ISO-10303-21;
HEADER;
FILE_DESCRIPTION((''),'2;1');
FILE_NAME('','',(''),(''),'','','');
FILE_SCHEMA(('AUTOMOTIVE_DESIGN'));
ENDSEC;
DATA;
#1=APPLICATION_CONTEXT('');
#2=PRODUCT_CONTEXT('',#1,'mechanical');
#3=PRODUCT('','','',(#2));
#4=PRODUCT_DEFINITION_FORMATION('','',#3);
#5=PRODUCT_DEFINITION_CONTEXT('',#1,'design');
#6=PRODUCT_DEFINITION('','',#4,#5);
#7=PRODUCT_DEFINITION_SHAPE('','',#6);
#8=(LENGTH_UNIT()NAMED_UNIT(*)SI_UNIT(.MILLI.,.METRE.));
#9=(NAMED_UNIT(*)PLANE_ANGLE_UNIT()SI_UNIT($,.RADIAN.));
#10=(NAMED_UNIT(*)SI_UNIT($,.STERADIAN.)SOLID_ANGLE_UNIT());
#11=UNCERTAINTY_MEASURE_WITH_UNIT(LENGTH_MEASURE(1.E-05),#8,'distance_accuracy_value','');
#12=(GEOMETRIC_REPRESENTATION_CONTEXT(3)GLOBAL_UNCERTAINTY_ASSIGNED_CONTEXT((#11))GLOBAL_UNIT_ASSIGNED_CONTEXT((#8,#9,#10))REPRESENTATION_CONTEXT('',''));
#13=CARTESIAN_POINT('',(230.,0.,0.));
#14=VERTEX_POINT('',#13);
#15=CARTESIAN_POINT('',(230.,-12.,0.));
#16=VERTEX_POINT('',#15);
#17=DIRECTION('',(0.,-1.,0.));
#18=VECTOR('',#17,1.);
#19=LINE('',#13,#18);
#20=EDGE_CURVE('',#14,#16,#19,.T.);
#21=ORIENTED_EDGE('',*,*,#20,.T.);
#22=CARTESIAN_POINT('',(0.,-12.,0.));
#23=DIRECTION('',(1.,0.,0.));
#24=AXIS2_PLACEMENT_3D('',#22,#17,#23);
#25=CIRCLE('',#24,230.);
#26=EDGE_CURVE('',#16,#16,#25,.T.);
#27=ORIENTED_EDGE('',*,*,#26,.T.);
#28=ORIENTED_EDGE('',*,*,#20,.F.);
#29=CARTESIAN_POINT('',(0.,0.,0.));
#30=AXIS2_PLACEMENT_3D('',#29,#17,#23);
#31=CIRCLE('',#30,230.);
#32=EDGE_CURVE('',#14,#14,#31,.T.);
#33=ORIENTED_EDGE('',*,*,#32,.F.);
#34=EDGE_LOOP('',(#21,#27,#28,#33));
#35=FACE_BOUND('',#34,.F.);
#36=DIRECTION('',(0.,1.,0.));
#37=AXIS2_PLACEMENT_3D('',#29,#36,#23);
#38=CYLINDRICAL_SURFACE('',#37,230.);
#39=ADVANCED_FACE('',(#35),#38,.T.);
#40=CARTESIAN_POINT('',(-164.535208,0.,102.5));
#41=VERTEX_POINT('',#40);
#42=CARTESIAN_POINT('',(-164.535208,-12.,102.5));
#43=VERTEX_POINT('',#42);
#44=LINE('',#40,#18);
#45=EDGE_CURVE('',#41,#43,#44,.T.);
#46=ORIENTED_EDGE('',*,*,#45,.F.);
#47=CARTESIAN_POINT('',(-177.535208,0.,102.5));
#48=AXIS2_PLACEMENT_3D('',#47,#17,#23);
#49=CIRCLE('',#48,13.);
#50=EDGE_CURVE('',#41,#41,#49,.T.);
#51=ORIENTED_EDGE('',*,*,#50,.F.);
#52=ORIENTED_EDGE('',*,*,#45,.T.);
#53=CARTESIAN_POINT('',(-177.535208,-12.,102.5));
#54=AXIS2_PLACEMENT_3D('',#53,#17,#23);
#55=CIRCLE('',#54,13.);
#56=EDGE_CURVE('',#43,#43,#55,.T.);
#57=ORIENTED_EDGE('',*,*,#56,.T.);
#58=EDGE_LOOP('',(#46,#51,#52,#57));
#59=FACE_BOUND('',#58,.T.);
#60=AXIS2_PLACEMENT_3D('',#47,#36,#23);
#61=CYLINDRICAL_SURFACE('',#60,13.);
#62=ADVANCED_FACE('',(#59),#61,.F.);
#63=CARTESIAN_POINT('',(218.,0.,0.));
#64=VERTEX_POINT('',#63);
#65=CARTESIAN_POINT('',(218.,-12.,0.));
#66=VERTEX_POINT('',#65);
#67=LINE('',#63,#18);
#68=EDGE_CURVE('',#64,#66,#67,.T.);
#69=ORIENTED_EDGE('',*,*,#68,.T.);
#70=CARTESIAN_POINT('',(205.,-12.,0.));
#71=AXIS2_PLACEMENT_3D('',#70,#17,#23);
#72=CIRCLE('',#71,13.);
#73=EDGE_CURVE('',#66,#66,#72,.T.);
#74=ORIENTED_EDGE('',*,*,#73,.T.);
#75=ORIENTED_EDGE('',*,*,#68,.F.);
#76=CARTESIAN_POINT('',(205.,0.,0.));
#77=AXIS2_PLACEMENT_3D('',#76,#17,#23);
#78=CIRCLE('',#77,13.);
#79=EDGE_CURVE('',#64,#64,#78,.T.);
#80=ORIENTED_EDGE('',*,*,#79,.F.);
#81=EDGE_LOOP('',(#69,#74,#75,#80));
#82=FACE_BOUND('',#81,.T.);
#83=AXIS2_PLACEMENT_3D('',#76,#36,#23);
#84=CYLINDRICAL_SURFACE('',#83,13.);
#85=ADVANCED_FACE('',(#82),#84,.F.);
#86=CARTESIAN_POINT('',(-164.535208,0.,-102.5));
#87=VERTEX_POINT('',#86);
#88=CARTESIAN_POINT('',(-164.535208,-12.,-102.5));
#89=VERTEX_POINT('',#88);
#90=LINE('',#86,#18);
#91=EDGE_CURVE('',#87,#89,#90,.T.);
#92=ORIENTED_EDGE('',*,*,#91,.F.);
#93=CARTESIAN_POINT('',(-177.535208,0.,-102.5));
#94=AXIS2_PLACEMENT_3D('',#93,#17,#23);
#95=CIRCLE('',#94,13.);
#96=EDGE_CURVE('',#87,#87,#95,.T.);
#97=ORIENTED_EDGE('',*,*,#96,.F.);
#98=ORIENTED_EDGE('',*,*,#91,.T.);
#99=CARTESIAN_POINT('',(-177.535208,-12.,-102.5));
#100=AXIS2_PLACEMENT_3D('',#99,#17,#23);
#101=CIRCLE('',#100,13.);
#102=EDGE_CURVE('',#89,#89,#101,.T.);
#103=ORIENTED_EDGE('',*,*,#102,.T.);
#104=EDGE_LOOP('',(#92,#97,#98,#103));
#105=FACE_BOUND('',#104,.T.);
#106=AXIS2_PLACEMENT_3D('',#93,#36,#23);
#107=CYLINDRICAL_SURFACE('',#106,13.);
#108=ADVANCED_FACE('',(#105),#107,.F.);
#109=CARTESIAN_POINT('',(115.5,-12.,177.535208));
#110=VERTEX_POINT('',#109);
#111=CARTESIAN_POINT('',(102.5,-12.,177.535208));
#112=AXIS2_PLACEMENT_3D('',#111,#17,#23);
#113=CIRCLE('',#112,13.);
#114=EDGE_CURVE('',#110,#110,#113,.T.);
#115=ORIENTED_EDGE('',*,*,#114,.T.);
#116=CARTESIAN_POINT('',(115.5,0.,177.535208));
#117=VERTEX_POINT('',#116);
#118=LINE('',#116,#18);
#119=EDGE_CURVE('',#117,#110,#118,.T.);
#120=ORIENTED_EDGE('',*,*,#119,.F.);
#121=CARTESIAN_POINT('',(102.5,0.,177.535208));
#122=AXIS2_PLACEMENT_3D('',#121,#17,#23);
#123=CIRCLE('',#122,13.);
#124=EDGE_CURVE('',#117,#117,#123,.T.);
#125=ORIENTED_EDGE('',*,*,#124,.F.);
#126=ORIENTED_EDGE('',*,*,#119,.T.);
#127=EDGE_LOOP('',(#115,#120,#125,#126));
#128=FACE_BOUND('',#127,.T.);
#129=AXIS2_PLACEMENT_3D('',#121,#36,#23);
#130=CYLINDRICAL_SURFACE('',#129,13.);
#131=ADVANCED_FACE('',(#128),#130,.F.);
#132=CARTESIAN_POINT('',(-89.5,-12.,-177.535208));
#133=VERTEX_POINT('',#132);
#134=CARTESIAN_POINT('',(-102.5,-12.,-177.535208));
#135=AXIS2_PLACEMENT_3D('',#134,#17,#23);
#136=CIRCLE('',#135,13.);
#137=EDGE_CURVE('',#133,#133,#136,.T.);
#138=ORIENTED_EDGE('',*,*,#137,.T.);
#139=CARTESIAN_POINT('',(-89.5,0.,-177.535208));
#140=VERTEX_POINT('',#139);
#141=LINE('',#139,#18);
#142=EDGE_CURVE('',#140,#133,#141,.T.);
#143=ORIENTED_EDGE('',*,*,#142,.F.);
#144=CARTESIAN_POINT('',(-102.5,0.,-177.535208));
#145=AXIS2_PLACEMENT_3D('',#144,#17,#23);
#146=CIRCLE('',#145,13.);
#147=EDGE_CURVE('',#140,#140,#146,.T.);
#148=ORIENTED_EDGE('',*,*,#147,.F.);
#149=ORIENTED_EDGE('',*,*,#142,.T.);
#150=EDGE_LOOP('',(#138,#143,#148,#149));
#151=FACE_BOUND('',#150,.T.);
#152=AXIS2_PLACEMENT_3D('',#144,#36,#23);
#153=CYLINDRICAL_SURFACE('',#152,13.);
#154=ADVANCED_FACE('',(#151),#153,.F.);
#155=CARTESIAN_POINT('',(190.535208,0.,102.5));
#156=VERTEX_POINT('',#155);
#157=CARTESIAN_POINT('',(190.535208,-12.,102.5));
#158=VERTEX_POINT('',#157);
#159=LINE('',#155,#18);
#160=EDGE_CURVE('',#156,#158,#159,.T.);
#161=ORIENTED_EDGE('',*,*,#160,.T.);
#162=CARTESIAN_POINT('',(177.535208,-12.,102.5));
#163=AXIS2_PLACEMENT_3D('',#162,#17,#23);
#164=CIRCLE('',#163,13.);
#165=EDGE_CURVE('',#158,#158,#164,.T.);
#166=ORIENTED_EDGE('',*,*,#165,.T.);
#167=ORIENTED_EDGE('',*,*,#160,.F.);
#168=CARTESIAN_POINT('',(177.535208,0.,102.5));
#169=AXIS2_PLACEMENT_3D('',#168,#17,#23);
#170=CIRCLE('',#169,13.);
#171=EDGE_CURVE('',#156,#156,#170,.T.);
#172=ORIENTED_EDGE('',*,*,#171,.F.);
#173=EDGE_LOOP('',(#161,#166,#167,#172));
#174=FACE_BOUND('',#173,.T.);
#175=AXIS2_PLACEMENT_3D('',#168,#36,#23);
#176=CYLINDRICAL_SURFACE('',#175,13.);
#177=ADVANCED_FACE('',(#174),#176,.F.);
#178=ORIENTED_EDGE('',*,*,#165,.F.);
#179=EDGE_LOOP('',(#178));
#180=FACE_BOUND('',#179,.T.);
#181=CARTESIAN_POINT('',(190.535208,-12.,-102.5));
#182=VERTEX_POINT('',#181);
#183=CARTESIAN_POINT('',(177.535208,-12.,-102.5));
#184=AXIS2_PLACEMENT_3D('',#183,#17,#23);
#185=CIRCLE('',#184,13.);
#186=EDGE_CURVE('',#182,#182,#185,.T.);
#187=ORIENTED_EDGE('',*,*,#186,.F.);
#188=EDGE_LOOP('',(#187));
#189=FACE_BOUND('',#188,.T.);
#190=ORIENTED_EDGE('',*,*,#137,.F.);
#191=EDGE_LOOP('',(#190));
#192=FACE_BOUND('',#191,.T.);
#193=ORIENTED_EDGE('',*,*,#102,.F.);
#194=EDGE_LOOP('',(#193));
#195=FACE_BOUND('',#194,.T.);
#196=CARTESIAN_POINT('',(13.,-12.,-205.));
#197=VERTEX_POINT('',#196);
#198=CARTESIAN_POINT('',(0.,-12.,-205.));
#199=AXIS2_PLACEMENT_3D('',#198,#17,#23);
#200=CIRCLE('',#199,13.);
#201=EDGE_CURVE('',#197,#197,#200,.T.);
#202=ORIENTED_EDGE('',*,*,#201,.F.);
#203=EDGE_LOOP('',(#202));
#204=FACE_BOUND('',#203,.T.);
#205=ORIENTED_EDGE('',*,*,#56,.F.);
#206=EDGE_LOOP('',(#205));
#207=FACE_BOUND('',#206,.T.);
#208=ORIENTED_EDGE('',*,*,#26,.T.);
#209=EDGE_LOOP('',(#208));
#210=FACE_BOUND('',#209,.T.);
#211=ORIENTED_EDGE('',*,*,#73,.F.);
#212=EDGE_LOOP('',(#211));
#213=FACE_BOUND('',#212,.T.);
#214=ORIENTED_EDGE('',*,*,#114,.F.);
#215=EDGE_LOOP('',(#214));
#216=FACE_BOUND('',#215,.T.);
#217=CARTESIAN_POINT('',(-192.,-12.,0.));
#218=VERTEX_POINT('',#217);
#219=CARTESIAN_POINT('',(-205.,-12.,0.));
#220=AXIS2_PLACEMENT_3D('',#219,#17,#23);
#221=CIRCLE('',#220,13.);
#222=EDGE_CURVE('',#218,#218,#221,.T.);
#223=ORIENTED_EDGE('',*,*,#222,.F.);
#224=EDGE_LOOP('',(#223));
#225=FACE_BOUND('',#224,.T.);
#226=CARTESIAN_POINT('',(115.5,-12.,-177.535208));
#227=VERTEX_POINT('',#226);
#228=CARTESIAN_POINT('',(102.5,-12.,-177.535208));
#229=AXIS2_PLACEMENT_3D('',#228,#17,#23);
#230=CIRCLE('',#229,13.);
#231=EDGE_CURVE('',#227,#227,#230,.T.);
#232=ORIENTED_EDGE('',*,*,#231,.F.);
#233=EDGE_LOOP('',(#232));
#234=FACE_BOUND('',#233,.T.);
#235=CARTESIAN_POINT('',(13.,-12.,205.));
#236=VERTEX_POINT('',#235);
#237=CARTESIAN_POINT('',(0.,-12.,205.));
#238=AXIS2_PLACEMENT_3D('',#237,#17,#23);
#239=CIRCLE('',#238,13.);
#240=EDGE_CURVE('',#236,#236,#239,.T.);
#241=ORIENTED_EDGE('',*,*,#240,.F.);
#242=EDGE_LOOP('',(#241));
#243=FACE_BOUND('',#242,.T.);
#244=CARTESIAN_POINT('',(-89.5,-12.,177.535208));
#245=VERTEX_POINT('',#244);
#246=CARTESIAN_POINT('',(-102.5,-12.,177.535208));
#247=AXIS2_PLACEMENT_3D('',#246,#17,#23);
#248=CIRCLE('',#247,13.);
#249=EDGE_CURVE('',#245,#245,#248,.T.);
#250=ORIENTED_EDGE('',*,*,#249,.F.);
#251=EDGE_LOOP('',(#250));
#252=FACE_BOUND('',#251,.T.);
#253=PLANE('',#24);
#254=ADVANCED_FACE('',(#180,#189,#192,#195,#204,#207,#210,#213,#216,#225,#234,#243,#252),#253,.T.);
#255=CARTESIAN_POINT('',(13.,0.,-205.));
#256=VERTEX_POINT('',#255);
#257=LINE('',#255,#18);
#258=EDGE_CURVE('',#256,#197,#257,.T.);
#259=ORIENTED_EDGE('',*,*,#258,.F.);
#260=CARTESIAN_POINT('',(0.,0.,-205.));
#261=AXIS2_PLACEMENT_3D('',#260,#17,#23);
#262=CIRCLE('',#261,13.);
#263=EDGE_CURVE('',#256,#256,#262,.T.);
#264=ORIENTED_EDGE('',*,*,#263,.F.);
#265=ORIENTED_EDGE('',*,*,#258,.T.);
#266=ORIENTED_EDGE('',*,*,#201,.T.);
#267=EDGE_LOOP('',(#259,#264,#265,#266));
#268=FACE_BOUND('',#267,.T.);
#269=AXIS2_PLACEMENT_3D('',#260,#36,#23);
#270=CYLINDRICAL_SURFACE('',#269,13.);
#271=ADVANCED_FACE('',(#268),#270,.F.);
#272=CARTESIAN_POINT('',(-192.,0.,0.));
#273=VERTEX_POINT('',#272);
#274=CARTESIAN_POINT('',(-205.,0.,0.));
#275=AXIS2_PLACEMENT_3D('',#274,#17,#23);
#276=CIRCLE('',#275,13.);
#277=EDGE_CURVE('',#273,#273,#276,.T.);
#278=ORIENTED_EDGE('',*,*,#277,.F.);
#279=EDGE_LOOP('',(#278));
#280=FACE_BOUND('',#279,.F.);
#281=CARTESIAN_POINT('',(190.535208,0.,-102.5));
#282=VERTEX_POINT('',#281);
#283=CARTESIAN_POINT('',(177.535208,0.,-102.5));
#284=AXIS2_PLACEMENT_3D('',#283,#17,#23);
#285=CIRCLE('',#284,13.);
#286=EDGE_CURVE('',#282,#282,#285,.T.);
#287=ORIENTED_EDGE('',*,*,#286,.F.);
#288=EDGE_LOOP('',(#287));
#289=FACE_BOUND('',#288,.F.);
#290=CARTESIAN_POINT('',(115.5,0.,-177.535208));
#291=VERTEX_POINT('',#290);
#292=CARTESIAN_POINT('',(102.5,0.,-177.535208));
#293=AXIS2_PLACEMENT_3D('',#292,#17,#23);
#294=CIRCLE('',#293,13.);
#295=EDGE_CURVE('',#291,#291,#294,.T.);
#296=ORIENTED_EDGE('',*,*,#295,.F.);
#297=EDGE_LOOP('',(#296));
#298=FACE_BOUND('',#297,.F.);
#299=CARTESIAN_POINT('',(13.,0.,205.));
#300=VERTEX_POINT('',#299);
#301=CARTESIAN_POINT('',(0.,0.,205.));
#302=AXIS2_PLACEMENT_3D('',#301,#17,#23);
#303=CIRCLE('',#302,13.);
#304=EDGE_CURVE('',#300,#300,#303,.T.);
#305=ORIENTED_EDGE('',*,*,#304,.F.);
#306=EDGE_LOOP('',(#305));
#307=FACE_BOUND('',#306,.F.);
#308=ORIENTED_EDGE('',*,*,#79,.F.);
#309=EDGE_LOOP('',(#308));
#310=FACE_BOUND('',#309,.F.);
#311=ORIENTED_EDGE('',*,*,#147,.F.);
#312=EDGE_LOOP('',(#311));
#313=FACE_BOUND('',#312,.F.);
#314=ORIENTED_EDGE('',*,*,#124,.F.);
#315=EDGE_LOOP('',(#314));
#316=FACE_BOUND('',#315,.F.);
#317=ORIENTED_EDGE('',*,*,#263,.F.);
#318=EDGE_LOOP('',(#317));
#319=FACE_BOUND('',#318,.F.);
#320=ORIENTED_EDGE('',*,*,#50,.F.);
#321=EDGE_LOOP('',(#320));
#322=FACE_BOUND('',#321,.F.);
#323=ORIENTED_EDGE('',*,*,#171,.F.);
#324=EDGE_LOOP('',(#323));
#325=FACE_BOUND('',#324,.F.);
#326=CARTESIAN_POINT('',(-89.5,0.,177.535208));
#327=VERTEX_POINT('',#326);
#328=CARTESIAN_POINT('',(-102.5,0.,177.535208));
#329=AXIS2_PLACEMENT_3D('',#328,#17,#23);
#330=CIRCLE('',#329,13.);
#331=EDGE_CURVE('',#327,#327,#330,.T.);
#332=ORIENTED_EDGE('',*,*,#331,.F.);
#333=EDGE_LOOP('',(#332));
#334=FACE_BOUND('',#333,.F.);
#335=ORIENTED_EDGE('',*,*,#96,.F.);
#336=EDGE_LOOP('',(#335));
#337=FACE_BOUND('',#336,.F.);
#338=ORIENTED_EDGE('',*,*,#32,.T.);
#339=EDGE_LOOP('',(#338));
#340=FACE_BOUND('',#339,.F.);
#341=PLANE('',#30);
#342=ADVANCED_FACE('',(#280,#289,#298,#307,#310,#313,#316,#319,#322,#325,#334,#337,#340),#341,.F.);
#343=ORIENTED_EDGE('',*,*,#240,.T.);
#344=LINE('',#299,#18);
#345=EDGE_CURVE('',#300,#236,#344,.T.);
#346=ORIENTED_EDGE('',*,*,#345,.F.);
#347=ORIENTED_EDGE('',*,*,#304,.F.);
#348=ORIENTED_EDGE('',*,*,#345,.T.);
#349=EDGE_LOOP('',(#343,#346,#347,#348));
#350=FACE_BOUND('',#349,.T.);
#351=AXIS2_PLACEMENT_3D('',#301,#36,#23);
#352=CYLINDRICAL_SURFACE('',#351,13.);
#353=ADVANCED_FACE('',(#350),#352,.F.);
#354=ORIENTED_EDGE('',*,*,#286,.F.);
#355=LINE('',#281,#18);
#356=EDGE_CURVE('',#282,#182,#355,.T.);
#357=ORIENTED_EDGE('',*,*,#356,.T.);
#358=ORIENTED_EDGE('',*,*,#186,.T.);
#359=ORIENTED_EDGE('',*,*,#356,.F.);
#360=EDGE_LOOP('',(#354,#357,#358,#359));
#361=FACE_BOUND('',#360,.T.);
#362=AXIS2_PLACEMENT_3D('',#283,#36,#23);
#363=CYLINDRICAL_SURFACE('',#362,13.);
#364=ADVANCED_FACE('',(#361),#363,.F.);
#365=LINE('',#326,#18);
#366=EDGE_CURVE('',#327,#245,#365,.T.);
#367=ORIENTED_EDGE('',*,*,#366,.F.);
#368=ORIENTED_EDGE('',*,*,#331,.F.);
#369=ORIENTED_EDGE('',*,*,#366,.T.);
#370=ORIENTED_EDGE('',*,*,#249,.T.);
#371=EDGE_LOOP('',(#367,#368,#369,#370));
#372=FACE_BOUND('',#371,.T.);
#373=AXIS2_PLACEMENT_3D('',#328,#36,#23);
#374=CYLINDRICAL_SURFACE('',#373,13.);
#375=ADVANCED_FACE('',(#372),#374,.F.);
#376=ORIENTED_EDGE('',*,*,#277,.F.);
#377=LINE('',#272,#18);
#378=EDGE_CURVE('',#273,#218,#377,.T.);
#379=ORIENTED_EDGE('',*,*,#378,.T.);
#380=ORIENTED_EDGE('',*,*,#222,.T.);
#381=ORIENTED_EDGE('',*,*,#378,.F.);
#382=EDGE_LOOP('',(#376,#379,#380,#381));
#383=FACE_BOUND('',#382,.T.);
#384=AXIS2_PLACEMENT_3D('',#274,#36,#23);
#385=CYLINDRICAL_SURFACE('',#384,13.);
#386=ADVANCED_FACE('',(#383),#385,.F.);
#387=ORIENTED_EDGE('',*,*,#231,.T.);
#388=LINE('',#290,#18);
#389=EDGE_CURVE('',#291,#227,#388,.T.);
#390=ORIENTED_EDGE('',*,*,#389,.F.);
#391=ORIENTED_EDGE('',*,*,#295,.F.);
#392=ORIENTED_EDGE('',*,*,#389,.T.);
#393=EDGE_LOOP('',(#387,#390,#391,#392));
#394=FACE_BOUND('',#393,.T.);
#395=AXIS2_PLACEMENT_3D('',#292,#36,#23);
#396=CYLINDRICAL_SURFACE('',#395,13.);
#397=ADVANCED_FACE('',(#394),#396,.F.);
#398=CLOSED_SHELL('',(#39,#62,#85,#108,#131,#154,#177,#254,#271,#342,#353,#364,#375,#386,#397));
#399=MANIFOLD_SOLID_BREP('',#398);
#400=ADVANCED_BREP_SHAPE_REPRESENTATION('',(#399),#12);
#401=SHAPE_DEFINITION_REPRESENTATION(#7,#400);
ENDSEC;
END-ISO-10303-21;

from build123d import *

# Parameters (mm, degrees)
F0_R     = 230
F0_R_2   = 13
F0_R_3   = 162
F1_DEPTH = 12


with BuildPart() as f1:
    # F0 (on Front) → F1 (new body)
    with BuildSketch(Plane.XZ):
        Circle(F0_R)
        with Locations((-102.5, -177.535208)):
            Circle(F0_R_2, mode=Mode.SUBTRACT)
        with Locations((-177.535208, -102.5)):
            Circle(F0_R_2, mode=Mode.SUBTRACT)
        with Locations((0, -205)):
            Circle(F0_R_2, mode=Mode.SUBTRACT)
        with Locations((102.5, -177.535208)):
            Circle(F0_R_2, mode=Mode.SUBTRACT)
        with Locations((177.535208, -102.5)):
            Circle(F0_R_2, mode=Mode.SUBTRACT)
        with Locations((-205, 0)):
            Circle(F0_R_2, mode=Mode.SUBTRACT)
        with Locations((-177.535208, 102.5)):
            Circle(F0_R_2, mode=Mode.SUBTRACT)
        with Locations((-102.5, 177.535208)):
            Circle(F0_R_2, mode=Mode.SUBTRACT)
        Circle(F0_R_3, mode=Mode.SUBTRACT)
        with Locations((205, 0)):
            Circle(F0_R_2, mode=Mode.SUBTRACT)
        with Locations((177.535208, 102.5)):
            Circle(F0_R_2, mode=Mode.SUBTRACT)
        with Locations((0, 205)):
            Circle(F0_R_2, mode=Mode.SUBTRACT)
        with Locations((102.5, 177.535208)):
            Circle(F0_R_2, mode=Mode.SUBTRACT)
        Circle(F0_R_3)
    extrude(amount=F1_DEPTH)


solid = f1.part
